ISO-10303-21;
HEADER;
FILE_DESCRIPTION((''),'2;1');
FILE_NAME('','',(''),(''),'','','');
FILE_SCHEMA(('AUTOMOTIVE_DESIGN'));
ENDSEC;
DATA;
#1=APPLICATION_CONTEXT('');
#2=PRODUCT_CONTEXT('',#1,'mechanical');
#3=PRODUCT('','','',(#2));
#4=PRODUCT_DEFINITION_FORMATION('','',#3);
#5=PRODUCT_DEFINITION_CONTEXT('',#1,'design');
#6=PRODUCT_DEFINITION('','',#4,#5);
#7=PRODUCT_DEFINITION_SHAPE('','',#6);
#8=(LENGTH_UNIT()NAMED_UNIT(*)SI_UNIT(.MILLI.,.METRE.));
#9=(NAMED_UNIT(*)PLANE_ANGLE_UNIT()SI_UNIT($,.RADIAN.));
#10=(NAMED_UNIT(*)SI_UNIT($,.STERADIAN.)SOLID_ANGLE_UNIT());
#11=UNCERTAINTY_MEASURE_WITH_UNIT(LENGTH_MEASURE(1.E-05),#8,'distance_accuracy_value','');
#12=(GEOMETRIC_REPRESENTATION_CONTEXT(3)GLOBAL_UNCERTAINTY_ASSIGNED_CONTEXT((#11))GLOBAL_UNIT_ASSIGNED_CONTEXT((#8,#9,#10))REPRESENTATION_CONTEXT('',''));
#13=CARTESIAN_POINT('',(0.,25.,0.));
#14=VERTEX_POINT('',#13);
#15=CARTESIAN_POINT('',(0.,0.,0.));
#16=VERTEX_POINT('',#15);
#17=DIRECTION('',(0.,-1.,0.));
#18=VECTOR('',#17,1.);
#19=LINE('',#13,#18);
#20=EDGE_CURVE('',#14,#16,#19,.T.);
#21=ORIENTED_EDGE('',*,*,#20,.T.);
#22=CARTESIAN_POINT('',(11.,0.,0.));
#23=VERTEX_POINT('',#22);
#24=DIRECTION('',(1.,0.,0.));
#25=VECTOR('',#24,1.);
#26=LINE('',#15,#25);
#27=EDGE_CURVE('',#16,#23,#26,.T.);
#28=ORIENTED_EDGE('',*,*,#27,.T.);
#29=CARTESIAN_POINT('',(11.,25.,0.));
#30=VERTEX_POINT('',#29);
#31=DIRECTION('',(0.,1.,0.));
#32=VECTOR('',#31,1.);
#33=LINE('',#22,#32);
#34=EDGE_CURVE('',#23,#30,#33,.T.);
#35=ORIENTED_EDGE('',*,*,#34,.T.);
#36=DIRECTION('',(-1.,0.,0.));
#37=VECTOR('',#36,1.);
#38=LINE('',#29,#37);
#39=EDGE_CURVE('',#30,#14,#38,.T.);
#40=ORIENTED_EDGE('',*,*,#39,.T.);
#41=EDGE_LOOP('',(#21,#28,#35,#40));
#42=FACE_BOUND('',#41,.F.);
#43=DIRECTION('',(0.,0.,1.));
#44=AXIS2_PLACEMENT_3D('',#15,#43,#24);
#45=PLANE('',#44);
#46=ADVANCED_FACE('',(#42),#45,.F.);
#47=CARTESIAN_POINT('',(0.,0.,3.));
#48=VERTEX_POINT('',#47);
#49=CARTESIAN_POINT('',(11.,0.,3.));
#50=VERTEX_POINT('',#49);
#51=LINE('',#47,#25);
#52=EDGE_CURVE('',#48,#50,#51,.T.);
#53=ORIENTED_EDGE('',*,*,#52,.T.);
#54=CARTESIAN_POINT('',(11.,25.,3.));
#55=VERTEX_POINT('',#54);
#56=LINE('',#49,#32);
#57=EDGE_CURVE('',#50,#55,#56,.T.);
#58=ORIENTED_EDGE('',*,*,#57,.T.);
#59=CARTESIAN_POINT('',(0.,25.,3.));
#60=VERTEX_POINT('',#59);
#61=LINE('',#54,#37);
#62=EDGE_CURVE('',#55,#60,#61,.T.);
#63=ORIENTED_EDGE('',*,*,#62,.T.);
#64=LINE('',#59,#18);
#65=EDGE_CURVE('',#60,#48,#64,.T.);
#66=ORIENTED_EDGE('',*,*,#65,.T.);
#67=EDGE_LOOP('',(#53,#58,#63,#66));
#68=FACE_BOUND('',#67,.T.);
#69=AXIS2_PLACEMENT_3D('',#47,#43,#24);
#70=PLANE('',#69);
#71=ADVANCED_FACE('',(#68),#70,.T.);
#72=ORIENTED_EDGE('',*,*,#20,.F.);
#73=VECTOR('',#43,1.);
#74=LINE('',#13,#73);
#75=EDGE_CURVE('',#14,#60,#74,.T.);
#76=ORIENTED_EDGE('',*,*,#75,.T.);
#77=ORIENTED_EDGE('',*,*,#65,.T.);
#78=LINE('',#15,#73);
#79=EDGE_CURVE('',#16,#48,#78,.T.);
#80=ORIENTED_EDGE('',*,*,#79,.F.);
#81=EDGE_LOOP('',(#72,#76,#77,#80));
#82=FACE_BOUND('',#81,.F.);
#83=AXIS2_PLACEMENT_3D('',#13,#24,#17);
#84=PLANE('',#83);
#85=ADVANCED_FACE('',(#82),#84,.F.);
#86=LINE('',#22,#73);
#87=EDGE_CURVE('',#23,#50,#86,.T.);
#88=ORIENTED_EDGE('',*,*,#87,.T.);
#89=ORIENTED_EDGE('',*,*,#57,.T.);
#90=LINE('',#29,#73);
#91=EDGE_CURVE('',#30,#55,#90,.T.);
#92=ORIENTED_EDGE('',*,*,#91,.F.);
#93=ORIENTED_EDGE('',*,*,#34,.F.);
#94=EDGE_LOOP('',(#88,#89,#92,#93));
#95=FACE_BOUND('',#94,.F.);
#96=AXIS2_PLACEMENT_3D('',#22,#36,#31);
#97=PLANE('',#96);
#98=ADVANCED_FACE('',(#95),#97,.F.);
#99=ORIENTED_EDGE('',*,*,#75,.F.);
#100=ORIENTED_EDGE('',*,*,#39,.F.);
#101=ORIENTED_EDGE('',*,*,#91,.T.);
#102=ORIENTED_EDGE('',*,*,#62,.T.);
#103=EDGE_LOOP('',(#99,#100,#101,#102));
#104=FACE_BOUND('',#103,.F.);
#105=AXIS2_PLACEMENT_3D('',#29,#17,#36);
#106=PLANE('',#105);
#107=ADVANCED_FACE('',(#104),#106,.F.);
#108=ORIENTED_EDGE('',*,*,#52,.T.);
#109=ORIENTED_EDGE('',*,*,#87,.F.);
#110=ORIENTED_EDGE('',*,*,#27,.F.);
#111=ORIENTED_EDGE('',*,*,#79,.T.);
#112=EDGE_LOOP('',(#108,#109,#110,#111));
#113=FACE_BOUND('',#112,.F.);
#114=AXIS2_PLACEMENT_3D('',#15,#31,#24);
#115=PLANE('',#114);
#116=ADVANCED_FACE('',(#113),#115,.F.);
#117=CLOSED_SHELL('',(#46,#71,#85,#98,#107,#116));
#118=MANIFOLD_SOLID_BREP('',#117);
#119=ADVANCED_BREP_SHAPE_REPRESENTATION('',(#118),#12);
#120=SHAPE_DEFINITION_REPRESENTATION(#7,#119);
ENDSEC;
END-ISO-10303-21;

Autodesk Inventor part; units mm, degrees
ref_plane "YZ Plane" through (0, 0, 0) normal (1, 0, 0) x (0, 1, 0)
ref_plane "XZ Plane" through (0, 0, 0) normal (0, 1, 0) x (-1, 0, 0)
ref_plane "XY Plane" through (0, 0, 0) normal (0, 0, 1) x (1, 0, 0)
sketch "Sketch1" plane through (0, 0, 0) normal (0, 0, 1) x (1, 0, 0)
  line L0 (0, 0) -> (11, 0)
  line L1 (11, 0) -> (11, 25)
  line L2 (11, 25) -> (0, 25)
  line L3 (0, 25) -> (0, 0)
  dimension "d9" = 11
  dimension "d10" = 25
extrude "Extrusion1" add sketch "Sketch1" along normal blind 3
properties part number "RC Reciever"
